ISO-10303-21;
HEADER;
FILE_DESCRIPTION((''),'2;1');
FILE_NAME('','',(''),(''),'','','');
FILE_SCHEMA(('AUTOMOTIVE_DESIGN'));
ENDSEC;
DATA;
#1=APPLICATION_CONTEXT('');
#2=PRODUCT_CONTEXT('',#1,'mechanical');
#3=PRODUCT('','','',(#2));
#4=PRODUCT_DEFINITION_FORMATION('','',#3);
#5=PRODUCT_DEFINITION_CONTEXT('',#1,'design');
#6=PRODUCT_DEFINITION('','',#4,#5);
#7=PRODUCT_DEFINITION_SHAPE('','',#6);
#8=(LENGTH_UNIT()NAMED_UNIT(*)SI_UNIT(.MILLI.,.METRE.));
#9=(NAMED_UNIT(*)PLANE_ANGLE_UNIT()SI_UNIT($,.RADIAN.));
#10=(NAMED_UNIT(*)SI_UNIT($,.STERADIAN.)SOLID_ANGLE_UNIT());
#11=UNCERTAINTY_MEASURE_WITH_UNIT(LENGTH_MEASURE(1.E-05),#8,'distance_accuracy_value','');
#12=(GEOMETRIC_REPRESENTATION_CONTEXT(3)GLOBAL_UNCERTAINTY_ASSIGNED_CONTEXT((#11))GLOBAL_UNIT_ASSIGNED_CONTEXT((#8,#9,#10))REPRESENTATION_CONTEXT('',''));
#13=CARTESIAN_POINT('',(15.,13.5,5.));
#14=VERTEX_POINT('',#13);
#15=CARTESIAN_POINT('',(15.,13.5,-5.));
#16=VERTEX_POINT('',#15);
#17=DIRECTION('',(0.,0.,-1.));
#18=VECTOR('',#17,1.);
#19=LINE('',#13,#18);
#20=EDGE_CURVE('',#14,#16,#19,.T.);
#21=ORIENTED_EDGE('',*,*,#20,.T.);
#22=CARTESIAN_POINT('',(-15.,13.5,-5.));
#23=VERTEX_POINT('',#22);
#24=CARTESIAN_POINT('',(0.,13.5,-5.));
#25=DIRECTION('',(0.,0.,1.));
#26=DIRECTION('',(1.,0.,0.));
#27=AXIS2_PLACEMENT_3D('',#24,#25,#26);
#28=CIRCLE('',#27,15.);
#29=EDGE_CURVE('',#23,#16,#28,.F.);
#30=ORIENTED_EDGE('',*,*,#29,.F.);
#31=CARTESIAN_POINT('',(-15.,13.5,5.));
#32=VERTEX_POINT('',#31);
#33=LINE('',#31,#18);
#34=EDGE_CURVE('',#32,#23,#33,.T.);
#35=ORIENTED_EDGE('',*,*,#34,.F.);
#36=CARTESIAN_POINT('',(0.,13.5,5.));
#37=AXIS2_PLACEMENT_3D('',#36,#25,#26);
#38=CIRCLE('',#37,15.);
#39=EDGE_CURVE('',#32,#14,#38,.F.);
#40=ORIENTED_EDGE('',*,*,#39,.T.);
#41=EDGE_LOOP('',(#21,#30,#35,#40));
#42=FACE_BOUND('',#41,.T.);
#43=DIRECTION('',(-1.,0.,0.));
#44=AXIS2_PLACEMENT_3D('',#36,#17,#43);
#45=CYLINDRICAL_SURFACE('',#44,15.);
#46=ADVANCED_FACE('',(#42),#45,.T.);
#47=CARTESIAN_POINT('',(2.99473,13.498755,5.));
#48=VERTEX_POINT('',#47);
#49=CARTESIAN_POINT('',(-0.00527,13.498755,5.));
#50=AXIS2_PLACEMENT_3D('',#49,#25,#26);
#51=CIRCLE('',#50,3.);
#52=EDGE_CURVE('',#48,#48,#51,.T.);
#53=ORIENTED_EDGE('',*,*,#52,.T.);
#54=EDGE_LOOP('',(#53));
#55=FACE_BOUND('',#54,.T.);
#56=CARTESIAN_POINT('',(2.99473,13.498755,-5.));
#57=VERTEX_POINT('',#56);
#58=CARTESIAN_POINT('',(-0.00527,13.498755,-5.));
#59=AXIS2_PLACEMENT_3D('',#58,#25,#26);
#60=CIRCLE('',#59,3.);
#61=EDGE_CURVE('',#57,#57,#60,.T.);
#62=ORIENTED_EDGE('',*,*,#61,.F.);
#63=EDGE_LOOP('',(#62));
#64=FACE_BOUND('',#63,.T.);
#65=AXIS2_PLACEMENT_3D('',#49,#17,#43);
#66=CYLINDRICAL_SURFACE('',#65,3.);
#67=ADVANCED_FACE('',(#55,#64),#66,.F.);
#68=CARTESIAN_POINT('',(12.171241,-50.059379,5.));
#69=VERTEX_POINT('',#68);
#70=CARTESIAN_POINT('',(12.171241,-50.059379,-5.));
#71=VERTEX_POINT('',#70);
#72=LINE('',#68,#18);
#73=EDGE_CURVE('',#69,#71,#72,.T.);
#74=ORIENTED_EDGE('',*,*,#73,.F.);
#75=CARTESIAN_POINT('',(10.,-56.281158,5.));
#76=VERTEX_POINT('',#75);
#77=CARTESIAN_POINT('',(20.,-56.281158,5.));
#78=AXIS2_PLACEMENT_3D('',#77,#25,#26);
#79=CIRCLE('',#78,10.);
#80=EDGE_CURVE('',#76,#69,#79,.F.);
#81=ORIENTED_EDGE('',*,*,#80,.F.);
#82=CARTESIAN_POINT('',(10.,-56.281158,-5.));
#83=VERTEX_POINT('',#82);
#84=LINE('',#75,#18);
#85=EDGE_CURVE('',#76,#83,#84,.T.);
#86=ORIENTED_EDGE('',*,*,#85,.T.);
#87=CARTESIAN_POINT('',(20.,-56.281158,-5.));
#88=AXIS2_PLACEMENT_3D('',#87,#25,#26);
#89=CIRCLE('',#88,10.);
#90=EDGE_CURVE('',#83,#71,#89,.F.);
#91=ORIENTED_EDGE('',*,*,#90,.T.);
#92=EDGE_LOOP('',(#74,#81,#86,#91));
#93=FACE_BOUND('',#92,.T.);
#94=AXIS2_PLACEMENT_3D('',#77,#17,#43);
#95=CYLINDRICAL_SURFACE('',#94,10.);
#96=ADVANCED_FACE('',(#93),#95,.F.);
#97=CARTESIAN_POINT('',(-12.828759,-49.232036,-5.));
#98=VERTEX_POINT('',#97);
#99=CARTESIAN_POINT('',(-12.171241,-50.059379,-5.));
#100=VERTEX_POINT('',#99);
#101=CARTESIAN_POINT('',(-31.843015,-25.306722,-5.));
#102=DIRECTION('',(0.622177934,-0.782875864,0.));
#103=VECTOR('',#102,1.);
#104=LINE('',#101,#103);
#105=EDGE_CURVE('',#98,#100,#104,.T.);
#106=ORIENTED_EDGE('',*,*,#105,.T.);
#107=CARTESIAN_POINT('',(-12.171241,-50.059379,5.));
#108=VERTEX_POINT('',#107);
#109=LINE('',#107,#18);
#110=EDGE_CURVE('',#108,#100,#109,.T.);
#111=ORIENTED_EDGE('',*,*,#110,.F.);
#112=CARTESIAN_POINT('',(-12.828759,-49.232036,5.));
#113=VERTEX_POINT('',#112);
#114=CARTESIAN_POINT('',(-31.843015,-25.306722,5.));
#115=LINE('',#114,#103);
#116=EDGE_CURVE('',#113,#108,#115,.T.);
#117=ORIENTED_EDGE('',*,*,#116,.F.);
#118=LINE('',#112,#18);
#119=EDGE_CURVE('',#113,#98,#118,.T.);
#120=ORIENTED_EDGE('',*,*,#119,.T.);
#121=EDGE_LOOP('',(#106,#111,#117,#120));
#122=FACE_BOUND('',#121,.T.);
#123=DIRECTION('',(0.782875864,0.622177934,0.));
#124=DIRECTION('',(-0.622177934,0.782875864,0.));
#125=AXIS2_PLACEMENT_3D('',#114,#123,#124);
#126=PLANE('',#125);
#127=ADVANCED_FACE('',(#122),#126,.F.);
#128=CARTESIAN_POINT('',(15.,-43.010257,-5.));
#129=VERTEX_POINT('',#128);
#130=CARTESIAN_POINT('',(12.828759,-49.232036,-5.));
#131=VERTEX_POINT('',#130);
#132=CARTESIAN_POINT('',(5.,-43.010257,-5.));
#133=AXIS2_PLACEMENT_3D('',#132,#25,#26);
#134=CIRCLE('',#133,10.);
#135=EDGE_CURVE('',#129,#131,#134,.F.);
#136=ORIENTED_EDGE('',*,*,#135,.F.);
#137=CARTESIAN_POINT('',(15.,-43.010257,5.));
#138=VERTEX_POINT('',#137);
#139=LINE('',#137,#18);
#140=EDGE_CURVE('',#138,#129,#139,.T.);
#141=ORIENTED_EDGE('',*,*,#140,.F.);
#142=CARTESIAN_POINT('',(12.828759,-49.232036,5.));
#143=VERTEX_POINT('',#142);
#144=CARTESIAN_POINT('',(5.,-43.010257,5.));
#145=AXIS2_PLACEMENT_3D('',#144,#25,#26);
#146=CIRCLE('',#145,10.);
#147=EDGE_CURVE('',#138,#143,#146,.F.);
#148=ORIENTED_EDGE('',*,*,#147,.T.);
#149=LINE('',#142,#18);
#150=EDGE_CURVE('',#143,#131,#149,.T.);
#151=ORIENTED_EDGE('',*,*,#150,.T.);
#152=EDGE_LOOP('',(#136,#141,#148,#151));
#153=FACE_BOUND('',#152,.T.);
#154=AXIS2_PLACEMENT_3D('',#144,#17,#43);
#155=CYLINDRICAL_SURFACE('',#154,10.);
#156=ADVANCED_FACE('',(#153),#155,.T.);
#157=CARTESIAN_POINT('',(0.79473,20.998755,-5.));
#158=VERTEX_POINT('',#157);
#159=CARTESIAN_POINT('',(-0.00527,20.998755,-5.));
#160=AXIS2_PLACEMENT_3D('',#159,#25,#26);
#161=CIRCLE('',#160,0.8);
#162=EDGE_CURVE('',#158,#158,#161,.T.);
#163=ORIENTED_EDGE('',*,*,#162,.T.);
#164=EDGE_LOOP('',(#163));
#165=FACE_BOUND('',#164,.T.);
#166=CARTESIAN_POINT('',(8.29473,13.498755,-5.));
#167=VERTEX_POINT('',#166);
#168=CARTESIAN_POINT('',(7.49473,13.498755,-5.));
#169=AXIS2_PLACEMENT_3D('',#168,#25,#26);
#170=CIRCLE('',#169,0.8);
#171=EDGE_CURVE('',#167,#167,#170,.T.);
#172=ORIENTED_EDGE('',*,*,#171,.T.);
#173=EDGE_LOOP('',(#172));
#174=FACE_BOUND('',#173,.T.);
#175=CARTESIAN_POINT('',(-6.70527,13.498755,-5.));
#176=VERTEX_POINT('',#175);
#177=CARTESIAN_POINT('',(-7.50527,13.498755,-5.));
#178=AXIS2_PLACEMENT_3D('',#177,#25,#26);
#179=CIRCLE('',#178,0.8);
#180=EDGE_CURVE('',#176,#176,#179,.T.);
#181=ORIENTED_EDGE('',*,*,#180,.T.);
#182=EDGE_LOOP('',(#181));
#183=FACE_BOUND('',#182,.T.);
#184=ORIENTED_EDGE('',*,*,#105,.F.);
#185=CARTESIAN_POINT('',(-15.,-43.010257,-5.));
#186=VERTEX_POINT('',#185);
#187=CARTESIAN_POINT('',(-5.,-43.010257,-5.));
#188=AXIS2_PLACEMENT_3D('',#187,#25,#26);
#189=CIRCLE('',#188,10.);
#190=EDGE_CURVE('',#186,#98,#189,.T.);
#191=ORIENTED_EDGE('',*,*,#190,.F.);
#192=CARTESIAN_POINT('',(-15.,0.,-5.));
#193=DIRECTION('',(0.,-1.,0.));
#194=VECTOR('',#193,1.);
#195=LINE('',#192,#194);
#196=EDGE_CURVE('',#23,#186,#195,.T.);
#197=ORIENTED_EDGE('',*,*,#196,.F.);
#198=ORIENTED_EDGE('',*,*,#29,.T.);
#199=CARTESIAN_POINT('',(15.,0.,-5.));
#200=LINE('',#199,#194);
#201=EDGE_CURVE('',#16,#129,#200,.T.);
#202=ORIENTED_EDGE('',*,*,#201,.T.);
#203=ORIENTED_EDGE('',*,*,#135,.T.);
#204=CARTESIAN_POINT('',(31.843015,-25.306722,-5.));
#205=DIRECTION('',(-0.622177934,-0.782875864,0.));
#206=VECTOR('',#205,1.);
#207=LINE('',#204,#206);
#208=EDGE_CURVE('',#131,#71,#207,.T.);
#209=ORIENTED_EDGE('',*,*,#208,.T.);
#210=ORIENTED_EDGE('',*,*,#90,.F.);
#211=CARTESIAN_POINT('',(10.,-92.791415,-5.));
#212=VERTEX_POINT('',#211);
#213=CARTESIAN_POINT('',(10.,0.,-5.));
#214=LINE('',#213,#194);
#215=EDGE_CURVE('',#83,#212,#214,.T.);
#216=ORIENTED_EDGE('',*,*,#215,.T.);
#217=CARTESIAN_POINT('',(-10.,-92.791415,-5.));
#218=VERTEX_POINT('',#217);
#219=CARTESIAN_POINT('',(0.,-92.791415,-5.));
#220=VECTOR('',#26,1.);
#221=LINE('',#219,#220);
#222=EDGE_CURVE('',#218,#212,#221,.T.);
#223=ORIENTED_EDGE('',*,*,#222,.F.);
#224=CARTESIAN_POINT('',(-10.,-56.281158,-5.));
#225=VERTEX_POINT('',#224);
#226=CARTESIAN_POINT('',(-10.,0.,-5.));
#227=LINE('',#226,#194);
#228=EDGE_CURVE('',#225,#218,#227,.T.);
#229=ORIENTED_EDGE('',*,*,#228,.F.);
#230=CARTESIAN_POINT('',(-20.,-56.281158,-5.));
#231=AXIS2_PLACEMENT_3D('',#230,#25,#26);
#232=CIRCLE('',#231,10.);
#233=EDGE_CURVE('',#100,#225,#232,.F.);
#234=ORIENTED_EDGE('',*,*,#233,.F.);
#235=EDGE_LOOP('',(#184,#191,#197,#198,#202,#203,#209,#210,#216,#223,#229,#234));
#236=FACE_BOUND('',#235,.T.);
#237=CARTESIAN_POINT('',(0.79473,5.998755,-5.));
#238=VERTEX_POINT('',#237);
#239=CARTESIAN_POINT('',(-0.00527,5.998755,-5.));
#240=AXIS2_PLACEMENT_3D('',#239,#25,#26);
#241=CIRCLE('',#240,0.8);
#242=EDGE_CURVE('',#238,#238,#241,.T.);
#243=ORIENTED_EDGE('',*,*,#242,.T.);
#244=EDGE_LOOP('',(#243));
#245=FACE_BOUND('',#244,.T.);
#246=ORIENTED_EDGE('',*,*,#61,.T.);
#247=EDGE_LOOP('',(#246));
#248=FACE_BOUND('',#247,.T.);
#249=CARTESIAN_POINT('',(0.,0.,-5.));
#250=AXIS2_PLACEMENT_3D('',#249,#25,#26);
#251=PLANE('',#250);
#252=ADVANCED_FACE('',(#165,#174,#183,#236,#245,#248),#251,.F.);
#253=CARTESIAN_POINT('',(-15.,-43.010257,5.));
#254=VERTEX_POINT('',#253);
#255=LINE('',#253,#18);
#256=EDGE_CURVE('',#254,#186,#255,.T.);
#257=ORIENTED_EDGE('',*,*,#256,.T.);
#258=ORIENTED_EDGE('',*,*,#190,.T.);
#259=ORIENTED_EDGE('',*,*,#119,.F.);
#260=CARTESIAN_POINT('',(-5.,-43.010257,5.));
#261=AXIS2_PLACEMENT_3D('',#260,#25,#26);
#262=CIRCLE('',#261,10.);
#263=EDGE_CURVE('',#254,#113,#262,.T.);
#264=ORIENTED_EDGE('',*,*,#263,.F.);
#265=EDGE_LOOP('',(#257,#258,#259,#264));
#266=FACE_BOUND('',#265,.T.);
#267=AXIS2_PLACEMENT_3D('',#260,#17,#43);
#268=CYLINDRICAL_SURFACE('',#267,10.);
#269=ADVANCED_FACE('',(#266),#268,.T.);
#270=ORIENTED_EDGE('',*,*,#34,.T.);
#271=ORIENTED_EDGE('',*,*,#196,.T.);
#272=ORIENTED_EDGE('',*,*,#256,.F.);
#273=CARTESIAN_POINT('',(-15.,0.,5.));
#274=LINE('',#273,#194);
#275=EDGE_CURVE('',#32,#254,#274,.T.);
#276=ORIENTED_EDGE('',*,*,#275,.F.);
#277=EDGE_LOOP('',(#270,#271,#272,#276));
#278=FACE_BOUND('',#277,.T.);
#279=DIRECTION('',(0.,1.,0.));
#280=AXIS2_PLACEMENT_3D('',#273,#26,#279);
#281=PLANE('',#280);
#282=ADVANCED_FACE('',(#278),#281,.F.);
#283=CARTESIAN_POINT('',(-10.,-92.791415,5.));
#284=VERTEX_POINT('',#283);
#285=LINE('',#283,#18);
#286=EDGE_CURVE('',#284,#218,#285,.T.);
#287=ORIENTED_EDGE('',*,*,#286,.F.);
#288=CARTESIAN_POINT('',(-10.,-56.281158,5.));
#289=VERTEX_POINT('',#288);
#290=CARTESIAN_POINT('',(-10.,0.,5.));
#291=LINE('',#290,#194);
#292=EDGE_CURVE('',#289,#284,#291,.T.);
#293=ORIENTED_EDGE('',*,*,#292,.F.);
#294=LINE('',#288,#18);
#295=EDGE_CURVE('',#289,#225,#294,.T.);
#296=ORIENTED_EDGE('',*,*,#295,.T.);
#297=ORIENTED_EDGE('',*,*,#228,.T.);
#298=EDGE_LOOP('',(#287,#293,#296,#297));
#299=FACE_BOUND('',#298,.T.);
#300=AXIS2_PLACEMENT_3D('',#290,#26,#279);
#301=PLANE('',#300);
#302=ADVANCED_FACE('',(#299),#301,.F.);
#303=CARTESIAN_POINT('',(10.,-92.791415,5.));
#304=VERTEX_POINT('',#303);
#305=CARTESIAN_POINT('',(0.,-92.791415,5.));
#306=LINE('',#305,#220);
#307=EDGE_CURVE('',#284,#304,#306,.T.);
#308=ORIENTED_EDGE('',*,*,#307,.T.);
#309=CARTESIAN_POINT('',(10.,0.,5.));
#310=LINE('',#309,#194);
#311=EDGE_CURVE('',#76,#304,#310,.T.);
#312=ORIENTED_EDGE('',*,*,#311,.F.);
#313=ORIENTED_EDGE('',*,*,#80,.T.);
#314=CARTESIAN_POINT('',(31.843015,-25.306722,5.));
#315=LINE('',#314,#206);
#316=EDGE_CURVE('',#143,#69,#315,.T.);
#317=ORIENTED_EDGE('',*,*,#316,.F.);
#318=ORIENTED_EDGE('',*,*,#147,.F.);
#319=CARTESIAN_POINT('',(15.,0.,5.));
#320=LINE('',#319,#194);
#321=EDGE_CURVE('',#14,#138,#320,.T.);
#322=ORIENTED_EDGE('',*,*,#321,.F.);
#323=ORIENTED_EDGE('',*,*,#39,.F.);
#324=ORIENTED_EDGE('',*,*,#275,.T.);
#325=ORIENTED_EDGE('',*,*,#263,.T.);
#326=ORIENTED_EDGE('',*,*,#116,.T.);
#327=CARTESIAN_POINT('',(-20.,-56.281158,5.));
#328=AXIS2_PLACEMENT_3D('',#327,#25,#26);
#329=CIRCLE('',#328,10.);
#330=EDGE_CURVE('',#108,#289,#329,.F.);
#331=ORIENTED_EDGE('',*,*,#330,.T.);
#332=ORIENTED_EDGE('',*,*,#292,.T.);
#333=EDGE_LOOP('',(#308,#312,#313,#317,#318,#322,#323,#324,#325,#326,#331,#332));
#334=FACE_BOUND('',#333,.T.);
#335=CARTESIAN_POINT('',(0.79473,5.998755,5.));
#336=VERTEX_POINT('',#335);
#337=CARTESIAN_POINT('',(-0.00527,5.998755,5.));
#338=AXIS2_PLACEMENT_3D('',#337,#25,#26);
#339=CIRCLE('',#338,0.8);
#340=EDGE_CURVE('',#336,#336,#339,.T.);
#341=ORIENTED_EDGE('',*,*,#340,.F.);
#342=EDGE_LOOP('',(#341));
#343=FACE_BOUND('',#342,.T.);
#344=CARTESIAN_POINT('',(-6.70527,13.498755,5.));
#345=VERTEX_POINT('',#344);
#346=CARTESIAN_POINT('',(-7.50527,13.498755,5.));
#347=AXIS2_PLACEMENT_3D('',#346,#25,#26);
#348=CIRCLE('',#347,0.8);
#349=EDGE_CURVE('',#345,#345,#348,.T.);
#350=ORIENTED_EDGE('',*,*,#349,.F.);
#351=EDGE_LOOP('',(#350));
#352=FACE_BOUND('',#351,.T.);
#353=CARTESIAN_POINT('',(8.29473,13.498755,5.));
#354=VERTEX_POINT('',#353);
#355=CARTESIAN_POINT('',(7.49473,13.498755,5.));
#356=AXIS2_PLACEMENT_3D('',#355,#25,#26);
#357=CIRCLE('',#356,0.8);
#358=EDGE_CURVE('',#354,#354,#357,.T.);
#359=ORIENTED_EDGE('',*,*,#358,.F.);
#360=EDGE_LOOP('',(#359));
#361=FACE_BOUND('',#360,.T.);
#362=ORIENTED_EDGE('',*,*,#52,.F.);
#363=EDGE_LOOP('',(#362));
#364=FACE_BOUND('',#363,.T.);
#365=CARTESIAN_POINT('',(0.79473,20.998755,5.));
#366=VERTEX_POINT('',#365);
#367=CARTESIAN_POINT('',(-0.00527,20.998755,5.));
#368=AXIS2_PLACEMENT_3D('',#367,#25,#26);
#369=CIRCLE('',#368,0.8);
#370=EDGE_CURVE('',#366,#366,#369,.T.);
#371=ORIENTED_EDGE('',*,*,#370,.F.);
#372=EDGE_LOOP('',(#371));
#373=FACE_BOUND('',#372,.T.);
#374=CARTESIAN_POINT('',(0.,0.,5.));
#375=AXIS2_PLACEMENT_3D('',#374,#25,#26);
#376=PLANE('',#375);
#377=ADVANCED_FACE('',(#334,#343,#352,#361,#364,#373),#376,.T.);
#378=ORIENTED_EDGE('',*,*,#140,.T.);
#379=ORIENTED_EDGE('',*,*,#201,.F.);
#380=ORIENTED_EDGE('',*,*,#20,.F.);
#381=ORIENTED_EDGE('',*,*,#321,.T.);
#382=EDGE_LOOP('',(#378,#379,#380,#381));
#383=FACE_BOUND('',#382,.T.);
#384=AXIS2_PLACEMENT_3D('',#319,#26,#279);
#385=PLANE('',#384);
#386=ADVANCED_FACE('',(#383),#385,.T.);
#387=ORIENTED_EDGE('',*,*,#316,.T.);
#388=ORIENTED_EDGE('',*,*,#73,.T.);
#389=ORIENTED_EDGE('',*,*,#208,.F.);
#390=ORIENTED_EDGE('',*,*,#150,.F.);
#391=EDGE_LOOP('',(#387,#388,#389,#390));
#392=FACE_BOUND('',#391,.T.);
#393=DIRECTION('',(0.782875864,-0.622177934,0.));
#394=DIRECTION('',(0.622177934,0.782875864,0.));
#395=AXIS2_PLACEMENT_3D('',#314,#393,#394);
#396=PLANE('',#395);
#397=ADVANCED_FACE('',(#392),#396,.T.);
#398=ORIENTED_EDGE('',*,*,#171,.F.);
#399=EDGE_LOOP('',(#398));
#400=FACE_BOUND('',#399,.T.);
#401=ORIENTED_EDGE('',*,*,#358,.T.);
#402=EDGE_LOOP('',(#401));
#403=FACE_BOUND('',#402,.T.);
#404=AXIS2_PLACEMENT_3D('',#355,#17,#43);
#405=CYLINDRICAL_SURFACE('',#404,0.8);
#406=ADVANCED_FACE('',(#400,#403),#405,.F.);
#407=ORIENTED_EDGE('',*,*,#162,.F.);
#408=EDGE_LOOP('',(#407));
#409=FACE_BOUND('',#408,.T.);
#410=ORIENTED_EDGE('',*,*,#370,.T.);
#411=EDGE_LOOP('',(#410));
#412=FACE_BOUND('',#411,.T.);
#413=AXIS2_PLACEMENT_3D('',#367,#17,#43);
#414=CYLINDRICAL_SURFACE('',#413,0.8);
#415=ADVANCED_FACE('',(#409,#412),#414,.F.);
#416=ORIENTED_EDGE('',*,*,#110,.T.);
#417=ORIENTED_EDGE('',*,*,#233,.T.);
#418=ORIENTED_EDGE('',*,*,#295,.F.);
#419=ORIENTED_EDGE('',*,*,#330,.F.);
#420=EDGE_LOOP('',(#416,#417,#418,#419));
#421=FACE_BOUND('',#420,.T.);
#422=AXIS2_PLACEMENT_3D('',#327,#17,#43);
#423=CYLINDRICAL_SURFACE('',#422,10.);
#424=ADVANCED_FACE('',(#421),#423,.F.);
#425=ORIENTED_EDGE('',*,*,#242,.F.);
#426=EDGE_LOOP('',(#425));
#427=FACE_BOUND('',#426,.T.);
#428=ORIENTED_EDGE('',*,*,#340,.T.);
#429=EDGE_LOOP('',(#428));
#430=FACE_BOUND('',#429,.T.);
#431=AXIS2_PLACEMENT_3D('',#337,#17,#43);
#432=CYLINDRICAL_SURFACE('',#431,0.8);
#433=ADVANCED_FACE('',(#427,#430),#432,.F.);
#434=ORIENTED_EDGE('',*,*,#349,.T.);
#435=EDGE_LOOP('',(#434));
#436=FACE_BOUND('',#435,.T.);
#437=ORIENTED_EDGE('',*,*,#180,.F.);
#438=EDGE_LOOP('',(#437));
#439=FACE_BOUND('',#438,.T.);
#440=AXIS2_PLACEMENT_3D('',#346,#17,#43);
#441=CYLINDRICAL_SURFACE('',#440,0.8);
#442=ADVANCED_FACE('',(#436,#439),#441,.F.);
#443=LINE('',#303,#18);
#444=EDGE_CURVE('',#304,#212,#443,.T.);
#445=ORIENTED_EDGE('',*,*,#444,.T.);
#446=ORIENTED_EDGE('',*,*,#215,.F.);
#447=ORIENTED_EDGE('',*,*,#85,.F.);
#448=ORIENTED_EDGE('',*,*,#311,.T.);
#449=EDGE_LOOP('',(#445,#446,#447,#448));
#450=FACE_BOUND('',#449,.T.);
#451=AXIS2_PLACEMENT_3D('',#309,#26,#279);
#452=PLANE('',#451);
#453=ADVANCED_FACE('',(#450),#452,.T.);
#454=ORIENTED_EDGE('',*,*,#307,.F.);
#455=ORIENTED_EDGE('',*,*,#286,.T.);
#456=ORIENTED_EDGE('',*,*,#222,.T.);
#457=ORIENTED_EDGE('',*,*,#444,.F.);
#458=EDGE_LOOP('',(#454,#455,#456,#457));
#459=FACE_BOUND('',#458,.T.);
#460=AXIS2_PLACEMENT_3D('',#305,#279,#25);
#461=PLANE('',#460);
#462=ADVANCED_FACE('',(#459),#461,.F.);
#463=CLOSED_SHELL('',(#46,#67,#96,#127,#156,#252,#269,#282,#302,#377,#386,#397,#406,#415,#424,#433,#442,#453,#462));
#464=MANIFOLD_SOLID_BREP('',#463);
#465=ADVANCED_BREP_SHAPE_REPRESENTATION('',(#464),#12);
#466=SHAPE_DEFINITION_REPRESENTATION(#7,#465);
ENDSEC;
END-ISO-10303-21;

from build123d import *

# Parameters (mm, degrees)
ESQUISSE1_R        = 0.8
ESQUISSE1_R_2      = 3
BOSS_EXTRU_1_DEPTH = 5


with BuildPart() as part:
    # Esquisse1 → Boss.-Extru.1 (new, symmetric)
    with BuildSketch(Plane.XY):
        with BuildLine():
            Line((-15, 13.5), (-15, -43.010256567))
            ThreePointArc((-15, -43.010256567), (-14.441599081, -46.305132406), (-12.828758641, -49.232035906))
            Line((-12.828758641, -49.232035906), (-12.171241359, -50.059378669))
            ThreePointArc((-12.171241359, -50.059378669), (-10.558400919, -52.986282168), (-10, -56.281158007))
            Line((-10, -56.281158007), (-10, -92.791414574))
            Line((-10, -92.791414574), (10, -92.791414574))
            Line((10, -92.791414574), (10, -56.281158007))
            ThreePointArc((10, -56.281158007), (10.558400919, -52.986282168), (12.171241359, -50.059378669))
            Line((12.171241359, -50.059378669), (12.828758641, -49.232035906))
            ThreePointArc((12.828758641, -49.232035906), (14.441599081, -46.305132406), (15, -43.010256567))
            Line((15, -43.010256567), (15, 13.5))
            ThreePointArc((15, 13.5), (0, 28.5), (-15, 13.5))
        make_face()
        with Locations((-0.005270268, 5.998754805)):
            Circle(ESQUISSE1_R, mode=Mode.SUBTRACT)
        with Locations((-7.505270268, 13.498754805)):
            Circle(ESQUISSE1_R, mode=Mode.SUBTRACT)
        with Locations((-0.005270268, 20.998754805)):
            Circle(ESQUISSE1_R, mode=Mode.SUBTRACT)
        with Locations((7.494729732, 13.498754805)):
            Circle(ESQUISSE1_R, mode=Mode.SUBTRACT)
        with Locations((-0.005270268, 13.498754805)):
            Circle(ESQUISSE1_R_2, mode=Mode.SUBTRACT)
    extrude(amount=BOSS_EXTRU_1_DEPTH, both=True)


solid = part.part
